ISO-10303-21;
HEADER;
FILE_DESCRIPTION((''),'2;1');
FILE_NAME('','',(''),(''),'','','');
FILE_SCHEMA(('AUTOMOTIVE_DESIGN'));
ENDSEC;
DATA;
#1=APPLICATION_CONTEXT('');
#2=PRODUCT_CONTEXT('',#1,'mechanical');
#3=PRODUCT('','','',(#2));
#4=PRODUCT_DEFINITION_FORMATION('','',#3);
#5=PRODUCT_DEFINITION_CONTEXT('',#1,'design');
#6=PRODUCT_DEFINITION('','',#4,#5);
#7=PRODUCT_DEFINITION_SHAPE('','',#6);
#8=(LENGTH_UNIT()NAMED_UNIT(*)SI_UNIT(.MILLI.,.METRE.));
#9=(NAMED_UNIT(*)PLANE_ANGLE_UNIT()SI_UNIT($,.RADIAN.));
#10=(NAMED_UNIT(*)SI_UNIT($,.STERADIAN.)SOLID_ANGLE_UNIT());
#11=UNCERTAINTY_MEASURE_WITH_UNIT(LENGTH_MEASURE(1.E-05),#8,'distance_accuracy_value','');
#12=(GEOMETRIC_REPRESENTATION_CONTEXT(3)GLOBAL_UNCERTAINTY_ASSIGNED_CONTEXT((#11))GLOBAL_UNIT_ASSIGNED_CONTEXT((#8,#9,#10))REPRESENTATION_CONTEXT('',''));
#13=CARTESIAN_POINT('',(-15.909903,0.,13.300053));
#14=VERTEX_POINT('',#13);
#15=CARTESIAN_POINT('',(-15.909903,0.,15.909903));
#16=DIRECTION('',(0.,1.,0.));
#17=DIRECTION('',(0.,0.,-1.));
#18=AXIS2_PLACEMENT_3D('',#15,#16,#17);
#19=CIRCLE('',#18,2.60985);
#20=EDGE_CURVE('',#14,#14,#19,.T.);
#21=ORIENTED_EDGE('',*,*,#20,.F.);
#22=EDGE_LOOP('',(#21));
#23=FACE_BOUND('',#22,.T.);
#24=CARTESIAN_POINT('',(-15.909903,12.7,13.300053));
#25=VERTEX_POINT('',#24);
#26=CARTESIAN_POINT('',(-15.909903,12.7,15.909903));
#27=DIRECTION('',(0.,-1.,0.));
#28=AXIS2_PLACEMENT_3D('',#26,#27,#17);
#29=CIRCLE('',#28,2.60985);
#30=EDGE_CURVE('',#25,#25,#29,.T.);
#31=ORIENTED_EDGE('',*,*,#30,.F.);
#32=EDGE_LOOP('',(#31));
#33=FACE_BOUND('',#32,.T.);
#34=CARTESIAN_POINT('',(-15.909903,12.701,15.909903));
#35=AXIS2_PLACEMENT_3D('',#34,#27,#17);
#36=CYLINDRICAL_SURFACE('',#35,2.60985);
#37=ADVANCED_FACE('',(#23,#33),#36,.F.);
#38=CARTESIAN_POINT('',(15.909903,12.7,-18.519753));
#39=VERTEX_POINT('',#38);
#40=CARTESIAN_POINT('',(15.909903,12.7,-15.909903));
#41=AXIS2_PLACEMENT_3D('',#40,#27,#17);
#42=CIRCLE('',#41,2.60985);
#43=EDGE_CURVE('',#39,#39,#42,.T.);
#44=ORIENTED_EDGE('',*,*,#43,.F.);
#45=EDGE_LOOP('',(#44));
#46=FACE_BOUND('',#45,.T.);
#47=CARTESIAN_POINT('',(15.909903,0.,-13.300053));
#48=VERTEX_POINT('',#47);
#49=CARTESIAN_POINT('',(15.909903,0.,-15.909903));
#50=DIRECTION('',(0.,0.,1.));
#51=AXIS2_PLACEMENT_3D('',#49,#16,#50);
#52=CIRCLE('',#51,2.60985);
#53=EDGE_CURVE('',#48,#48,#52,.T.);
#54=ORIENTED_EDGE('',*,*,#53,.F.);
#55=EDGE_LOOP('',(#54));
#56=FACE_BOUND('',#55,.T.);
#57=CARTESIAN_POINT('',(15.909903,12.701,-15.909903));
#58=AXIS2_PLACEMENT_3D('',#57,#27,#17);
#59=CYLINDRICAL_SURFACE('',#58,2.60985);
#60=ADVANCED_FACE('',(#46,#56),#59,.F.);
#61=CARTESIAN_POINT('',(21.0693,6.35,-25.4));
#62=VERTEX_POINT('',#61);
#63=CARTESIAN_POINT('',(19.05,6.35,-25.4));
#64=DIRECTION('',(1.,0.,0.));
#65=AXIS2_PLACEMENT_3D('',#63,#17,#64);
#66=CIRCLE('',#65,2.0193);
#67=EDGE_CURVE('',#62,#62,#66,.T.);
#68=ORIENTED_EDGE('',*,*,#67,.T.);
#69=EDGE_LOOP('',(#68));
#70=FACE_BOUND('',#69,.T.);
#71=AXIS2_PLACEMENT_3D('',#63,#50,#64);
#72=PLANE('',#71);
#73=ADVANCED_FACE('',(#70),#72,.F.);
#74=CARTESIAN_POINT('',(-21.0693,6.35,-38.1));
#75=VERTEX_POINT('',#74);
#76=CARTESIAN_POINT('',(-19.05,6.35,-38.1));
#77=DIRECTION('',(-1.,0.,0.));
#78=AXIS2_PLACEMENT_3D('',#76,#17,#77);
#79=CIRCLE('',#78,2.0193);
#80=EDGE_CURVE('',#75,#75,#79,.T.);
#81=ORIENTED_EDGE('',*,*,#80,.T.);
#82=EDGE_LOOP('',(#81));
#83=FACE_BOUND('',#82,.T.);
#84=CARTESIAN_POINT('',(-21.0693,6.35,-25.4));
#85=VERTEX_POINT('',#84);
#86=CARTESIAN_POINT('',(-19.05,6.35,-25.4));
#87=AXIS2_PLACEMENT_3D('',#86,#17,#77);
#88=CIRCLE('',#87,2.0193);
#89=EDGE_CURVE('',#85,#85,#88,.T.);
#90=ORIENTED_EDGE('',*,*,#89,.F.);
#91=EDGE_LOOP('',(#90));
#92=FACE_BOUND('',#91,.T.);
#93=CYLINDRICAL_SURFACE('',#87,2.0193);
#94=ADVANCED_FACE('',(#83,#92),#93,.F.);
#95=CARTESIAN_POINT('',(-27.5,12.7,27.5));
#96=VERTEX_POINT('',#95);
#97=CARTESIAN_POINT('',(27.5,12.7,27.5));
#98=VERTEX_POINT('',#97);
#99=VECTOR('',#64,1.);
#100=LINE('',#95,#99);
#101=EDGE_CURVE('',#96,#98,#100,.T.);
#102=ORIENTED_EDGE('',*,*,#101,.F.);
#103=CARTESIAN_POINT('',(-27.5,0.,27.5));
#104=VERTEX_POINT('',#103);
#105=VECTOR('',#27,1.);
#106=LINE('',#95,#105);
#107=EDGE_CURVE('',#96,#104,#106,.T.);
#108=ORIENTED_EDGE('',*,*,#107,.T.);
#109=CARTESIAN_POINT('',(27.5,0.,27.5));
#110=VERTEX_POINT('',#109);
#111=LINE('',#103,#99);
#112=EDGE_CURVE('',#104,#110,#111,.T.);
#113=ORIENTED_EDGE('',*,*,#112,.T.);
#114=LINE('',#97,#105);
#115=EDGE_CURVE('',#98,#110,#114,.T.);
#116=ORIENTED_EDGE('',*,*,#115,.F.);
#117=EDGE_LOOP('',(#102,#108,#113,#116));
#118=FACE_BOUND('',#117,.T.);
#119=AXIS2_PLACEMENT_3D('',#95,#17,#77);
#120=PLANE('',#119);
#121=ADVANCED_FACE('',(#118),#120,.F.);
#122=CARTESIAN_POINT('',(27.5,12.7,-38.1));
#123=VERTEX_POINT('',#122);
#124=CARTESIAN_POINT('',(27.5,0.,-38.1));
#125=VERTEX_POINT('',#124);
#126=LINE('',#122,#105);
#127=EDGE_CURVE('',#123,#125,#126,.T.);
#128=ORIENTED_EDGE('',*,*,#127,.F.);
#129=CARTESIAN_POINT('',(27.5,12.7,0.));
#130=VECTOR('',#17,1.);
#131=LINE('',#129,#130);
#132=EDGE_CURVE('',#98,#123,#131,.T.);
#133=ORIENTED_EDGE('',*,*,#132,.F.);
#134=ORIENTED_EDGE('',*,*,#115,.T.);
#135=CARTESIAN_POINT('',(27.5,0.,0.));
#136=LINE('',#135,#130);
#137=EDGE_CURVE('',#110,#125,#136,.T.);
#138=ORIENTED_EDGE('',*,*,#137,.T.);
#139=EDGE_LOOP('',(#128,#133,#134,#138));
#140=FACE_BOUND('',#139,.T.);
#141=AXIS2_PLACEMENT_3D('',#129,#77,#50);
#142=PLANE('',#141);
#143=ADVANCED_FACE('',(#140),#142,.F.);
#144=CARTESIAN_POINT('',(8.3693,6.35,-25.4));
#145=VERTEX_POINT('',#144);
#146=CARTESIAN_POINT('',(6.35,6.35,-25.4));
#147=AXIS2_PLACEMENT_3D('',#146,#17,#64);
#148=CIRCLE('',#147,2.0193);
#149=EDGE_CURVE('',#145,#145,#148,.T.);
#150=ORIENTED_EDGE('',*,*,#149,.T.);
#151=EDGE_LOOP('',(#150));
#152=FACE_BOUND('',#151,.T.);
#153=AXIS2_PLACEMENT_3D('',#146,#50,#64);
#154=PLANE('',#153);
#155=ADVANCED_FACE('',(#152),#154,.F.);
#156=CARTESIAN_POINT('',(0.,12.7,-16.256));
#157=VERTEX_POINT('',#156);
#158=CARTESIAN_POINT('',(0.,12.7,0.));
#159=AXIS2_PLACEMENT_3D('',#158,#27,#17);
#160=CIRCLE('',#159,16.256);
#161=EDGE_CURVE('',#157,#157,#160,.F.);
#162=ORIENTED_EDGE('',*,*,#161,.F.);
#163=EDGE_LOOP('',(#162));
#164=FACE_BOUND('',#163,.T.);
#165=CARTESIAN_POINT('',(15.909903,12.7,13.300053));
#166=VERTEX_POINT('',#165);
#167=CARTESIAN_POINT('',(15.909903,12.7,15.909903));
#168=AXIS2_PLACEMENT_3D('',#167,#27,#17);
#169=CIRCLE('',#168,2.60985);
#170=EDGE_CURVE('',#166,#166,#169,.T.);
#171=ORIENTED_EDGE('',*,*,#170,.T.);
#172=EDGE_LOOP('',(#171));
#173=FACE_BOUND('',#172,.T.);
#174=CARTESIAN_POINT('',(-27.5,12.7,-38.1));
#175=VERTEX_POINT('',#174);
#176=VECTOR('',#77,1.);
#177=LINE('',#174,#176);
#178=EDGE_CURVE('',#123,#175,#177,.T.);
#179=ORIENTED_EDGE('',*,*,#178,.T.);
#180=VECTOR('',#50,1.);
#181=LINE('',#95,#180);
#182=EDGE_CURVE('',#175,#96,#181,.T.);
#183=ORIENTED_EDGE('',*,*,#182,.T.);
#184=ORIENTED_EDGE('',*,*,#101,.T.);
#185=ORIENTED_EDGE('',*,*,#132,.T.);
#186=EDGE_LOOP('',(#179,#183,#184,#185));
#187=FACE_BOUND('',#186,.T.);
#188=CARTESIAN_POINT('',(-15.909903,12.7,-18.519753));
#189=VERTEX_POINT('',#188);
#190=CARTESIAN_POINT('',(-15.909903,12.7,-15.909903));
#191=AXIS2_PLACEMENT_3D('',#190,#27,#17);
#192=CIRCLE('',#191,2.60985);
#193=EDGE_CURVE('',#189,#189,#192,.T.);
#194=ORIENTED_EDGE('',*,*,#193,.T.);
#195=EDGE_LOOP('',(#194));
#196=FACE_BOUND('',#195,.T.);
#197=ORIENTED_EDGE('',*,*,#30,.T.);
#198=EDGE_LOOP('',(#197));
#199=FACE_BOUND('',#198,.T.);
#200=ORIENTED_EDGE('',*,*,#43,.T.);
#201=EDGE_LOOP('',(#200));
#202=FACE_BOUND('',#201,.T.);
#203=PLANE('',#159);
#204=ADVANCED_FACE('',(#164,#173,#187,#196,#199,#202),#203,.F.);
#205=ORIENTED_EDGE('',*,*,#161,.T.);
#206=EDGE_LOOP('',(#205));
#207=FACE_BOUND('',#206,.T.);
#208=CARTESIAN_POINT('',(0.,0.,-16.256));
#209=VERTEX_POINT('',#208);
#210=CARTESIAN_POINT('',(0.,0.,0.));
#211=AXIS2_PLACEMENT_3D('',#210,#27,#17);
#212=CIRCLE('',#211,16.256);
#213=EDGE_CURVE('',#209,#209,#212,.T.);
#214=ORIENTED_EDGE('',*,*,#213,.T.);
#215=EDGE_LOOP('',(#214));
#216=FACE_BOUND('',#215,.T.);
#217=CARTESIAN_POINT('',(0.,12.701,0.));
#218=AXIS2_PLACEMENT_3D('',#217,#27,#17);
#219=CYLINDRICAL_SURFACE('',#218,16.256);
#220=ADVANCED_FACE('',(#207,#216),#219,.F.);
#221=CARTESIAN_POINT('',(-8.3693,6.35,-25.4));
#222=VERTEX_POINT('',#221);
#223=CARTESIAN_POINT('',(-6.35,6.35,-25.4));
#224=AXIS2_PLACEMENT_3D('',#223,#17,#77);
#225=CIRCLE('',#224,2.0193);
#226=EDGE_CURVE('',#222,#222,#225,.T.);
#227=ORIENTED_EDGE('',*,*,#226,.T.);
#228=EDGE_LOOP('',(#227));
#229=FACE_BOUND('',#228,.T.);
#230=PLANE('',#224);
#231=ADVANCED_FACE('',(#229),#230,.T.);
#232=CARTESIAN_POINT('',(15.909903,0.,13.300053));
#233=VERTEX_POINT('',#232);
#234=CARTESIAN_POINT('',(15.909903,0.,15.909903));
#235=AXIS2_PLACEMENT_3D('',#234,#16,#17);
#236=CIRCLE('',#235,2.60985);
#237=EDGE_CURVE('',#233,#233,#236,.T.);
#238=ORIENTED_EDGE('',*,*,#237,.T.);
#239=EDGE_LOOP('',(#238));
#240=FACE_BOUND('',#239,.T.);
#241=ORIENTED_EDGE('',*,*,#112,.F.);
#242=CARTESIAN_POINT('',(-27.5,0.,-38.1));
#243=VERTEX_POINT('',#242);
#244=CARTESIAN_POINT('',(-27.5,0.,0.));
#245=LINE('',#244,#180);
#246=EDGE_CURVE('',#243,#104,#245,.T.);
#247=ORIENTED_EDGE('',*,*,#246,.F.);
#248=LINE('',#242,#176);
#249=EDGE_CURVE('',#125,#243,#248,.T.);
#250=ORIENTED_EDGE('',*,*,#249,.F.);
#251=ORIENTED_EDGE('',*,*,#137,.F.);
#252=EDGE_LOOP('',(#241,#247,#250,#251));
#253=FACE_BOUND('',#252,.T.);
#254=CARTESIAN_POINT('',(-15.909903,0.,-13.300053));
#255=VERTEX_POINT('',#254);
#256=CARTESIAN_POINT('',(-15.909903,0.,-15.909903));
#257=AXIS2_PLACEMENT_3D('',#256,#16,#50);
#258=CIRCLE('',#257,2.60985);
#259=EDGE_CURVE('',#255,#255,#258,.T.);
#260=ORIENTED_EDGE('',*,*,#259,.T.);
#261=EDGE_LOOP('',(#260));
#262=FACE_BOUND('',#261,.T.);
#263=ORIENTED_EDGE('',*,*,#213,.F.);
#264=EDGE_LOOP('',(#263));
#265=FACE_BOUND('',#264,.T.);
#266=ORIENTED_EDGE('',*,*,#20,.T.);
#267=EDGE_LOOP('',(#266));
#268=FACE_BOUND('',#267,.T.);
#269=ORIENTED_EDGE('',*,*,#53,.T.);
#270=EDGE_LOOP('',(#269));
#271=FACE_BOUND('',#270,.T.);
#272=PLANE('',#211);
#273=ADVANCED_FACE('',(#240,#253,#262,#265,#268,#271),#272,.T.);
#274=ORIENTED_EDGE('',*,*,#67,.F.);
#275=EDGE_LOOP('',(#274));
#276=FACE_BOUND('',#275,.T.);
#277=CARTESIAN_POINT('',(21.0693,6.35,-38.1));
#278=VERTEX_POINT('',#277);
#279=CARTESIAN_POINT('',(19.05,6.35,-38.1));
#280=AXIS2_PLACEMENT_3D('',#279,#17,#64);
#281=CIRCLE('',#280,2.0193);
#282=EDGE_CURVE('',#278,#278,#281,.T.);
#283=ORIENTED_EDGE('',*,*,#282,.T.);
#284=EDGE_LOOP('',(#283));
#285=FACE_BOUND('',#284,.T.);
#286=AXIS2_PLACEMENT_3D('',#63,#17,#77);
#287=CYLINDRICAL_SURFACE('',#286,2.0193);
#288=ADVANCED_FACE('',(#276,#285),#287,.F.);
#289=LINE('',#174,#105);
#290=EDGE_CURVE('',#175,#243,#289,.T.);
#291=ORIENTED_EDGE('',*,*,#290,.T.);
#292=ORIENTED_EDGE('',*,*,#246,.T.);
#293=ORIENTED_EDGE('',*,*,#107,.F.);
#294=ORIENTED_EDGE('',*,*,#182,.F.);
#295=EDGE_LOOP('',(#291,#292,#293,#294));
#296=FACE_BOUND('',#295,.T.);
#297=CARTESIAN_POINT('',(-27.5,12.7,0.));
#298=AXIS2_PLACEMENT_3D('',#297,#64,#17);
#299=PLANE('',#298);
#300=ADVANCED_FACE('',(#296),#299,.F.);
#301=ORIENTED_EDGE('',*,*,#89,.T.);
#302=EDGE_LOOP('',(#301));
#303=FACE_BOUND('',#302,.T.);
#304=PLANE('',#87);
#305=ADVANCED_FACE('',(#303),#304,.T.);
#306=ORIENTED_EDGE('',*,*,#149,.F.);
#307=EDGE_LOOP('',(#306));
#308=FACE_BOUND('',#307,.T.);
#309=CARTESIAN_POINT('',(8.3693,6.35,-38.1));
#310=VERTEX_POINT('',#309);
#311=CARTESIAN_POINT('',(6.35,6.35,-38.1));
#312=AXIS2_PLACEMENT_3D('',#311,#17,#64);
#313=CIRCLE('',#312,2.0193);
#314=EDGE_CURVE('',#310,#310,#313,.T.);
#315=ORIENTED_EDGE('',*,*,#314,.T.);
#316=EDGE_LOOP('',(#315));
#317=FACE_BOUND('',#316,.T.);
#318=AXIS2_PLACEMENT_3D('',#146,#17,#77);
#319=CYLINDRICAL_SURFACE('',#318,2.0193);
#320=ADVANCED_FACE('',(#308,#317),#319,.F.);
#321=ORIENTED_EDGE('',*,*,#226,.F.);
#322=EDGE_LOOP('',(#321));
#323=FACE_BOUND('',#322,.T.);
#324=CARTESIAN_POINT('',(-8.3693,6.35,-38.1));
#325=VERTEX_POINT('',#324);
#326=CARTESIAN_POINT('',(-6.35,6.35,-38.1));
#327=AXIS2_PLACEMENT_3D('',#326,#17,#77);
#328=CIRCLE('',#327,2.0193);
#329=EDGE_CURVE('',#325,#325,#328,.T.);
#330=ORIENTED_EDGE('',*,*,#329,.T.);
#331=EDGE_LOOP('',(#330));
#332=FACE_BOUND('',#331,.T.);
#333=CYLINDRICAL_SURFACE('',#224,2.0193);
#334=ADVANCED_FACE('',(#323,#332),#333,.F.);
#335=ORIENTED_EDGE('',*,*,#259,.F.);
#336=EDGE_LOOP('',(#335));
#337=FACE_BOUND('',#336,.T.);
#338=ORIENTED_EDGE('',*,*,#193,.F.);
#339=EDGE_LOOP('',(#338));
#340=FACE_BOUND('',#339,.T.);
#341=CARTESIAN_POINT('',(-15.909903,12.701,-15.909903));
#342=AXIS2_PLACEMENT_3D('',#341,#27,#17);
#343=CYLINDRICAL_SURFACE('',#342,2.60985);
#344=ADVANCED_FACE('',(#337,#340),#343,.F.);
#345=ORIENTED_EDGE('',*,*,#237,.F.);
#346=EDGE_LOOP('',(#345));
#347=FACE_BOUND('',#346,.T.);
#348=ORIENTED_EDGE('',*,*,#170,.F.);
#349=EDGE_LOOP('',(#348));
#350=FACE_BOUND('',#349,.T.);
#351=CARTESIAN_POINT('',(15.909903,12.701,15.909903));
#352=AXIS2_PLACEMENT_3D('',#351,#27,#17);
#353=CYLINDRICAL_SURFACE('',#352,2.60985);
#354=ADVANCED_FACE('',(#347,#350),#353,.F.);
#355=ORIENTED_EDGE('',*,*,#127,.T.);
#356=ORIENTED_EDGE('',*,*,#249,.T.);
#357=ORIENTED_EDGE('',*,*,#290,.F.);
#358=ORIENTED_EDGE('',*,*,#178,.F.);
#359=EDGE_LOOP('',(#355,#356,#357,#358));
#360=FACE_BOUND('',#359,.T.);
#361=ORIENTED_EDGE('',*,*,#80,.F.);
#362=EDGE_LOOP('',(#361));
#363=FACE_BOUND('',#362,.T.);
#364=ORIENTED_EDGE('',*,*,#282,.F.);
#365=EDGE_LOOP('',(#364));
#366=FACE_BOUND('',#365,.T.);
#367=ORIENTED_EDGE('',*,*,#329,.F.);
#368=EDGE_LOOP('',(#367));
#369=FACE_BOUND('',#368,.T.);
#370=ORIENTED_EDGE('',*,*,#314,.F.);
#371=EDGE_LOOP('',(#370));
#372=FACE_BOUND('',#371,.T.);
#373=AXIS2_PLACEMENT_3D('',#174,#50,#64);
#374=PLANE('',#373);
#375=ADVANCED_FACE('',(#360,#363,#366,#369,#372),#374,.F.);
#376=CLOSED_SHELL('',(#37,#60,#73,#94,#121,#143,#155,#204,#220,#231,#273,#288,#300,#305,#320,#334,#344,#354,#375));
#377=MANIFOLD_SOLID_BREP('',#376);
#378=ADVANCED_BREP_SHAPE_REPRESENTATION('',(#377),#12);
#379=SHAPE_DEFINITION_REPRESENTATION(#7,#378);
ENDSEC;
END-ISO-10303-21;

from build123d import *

# Parameters (mm, degrees)
BOSS_EXTRUDE1_DEPTH = 12.7
CUT_EXTRUDE1_REACH  = 14.7
SKETCH1_R           = 2.60985
CUT_EXTRUDE2_REACH  = 14.7
SKETCH3_R           = 16.256
SKETCH5_R           = 2.0193
CUT_EXTRUDE3_DEPTH  = 12.7


with BuildPart() as part:
    # Sketch2 → Boss-Extrude1 (new body)
    with BuildSketch(Plane(origin=(0, 0, 0), x_dir=(1, 0, 0), z_dir=(0, 1, 0))):
        Polygon((-27.5, 0), (-27.5, 38.1), (27.5, 38.1), (27.5, 0), (27.5, -27.5), (-27.5, -27.5), align=None)
    extrude(amount=BOSS_EXTRUDE1_DEPTH)

    # Sketch1 → Cut-Extrude1 (cut, up to next)
    with BuildSketch(Plane(origin=(0, 0, 0), x_dir=(1, 0, 0), z_dir=(0, 1, 0)), mode=Mode.PRIVATE) as cut_extrude1_sk1:
        with Locations((15.909902577, 15.909902577)):
            Circle(SKETCH1_R)
    cut_extrude1_tool1 = extrude(cut_extrude1_sk1.sketch, amount=CUT_EXTRUDE1_REACH, mode=Mode.PRIVATE) & part.part
    add(cut_extrude1_tool1.solids().sort_by_distance((15.909903, 0, -15.909903))[0], mode=Mode.SUBTRACT)
    # Sketch1 → Cut-Extrude1 (cut, up to next)
    with BuildSketch(Plane(origin=(0, 0, 0), x_dir=(1, 0, 0), z_dir=(0, 1, 0)), mode=Mode.PRIVATE) as cut_extrude1_sk2:
        with Locations((-15.909902577, 15.909902577)):
            Circle(SKETCH1_R)
    cut_extrude1_tool2 = extrude(cut_extrude1_sk2.sketch, amount=CUT_EXTRUDE1_REACH, mode=Mode.PRIVATE) & part.part
    add(cut_extrude1_tool2.solids().sort_by_distance((-15.909903, 0, -15.909903))[0], mode=Mode.SUBTRACT)
    # Sketch1 → Cut-Extrude1 (cut, up to next)
    with BuildSketch(Plane(origin=(0, 0, 0), x_dir=(1, 0, 0), z_dir=(0, 1, 0)), mode=Mode.PRIVATE) as cut_extrude1_sk3:
        with Locations((15.909902577, -15.909902577)):
            Circle(SKETCH1_R)
    cut_extrude1_tool3 = extrude(cut_extrude1_sk3.sketch, amount=CUT_EXTRUDE1_REACH, mode=Mode.PRIVATE) & part.part
    add(cut_extrude1_tool3.solids().sort_by_distance((15.909903, 0, 15.909903))[0], mode=Mode.SUBTRACT)
    # Sketch1 → Cut-Extrude1 (cut, up to next)
    with BuildSketch(Plane(origin=(0, 0, 0), x_dir=(1, 0, 0), z_dir=(0, 1, 0)), mode=Mode.PRIVATE) as cut_extrude1_sk4:
        with Locations((-15.909902577, -15.909902577)):
            Circle(SKETCH1_R)
    cut_extrude1_tool4 = extrude(cut_extrude1_sk4.sketch, amount=CUT_EXTRUDE1_REACH, mode=Mode.PRIVATE) & part.part
    add(cut_extrude1_tool4.solids().sort_by_distance((-15.909903, 0, 15.909903))[0], mode=Mode.SUBTRACT)

    # Sketch3 → Cut-Extrude2 (cut, up to next)
    with BuildSketch(Plane.XZ, mode=Mode.PRIVATE) as cut_extrude2_sk1:
        Circle(SKETCH3_R)
    cut_extrude2_tool1 = extrude(cut_extrude2_sk1.sketch, amount=-CUT_EXTRUDE2_REACH, mode=Mode.PRIVATE) & part.part
    add(cut_extrude2_tool1.solids().sort_by_distance((0, 0, 0))[0], mode=Mode.SUBTRACT)

    # Sketch5 → Cut-Extrude3 (cut)
    with BuildSketch(Plane(origin=(0, 0, -38.1), x_dir=(-1, 0, 0), z_dir=(0, 0, -1))):
        with Locations((6.35, 6.35)):
            Circle(SKETCH5_R)
        with Locations((19.05, 6.35)):
            Circle(SKETCH5_R)
        with Locations((-19.05, 6.35)):
            Circle(SKETCH5_R)
        with Locations((-6.35, 6.35)):
            Circle(SKETCH5_R)
    extrude(amount=-CUT_EXTRUDE3_DEPTH, mode=Mode.SUBTRACT)


solid = part.part
